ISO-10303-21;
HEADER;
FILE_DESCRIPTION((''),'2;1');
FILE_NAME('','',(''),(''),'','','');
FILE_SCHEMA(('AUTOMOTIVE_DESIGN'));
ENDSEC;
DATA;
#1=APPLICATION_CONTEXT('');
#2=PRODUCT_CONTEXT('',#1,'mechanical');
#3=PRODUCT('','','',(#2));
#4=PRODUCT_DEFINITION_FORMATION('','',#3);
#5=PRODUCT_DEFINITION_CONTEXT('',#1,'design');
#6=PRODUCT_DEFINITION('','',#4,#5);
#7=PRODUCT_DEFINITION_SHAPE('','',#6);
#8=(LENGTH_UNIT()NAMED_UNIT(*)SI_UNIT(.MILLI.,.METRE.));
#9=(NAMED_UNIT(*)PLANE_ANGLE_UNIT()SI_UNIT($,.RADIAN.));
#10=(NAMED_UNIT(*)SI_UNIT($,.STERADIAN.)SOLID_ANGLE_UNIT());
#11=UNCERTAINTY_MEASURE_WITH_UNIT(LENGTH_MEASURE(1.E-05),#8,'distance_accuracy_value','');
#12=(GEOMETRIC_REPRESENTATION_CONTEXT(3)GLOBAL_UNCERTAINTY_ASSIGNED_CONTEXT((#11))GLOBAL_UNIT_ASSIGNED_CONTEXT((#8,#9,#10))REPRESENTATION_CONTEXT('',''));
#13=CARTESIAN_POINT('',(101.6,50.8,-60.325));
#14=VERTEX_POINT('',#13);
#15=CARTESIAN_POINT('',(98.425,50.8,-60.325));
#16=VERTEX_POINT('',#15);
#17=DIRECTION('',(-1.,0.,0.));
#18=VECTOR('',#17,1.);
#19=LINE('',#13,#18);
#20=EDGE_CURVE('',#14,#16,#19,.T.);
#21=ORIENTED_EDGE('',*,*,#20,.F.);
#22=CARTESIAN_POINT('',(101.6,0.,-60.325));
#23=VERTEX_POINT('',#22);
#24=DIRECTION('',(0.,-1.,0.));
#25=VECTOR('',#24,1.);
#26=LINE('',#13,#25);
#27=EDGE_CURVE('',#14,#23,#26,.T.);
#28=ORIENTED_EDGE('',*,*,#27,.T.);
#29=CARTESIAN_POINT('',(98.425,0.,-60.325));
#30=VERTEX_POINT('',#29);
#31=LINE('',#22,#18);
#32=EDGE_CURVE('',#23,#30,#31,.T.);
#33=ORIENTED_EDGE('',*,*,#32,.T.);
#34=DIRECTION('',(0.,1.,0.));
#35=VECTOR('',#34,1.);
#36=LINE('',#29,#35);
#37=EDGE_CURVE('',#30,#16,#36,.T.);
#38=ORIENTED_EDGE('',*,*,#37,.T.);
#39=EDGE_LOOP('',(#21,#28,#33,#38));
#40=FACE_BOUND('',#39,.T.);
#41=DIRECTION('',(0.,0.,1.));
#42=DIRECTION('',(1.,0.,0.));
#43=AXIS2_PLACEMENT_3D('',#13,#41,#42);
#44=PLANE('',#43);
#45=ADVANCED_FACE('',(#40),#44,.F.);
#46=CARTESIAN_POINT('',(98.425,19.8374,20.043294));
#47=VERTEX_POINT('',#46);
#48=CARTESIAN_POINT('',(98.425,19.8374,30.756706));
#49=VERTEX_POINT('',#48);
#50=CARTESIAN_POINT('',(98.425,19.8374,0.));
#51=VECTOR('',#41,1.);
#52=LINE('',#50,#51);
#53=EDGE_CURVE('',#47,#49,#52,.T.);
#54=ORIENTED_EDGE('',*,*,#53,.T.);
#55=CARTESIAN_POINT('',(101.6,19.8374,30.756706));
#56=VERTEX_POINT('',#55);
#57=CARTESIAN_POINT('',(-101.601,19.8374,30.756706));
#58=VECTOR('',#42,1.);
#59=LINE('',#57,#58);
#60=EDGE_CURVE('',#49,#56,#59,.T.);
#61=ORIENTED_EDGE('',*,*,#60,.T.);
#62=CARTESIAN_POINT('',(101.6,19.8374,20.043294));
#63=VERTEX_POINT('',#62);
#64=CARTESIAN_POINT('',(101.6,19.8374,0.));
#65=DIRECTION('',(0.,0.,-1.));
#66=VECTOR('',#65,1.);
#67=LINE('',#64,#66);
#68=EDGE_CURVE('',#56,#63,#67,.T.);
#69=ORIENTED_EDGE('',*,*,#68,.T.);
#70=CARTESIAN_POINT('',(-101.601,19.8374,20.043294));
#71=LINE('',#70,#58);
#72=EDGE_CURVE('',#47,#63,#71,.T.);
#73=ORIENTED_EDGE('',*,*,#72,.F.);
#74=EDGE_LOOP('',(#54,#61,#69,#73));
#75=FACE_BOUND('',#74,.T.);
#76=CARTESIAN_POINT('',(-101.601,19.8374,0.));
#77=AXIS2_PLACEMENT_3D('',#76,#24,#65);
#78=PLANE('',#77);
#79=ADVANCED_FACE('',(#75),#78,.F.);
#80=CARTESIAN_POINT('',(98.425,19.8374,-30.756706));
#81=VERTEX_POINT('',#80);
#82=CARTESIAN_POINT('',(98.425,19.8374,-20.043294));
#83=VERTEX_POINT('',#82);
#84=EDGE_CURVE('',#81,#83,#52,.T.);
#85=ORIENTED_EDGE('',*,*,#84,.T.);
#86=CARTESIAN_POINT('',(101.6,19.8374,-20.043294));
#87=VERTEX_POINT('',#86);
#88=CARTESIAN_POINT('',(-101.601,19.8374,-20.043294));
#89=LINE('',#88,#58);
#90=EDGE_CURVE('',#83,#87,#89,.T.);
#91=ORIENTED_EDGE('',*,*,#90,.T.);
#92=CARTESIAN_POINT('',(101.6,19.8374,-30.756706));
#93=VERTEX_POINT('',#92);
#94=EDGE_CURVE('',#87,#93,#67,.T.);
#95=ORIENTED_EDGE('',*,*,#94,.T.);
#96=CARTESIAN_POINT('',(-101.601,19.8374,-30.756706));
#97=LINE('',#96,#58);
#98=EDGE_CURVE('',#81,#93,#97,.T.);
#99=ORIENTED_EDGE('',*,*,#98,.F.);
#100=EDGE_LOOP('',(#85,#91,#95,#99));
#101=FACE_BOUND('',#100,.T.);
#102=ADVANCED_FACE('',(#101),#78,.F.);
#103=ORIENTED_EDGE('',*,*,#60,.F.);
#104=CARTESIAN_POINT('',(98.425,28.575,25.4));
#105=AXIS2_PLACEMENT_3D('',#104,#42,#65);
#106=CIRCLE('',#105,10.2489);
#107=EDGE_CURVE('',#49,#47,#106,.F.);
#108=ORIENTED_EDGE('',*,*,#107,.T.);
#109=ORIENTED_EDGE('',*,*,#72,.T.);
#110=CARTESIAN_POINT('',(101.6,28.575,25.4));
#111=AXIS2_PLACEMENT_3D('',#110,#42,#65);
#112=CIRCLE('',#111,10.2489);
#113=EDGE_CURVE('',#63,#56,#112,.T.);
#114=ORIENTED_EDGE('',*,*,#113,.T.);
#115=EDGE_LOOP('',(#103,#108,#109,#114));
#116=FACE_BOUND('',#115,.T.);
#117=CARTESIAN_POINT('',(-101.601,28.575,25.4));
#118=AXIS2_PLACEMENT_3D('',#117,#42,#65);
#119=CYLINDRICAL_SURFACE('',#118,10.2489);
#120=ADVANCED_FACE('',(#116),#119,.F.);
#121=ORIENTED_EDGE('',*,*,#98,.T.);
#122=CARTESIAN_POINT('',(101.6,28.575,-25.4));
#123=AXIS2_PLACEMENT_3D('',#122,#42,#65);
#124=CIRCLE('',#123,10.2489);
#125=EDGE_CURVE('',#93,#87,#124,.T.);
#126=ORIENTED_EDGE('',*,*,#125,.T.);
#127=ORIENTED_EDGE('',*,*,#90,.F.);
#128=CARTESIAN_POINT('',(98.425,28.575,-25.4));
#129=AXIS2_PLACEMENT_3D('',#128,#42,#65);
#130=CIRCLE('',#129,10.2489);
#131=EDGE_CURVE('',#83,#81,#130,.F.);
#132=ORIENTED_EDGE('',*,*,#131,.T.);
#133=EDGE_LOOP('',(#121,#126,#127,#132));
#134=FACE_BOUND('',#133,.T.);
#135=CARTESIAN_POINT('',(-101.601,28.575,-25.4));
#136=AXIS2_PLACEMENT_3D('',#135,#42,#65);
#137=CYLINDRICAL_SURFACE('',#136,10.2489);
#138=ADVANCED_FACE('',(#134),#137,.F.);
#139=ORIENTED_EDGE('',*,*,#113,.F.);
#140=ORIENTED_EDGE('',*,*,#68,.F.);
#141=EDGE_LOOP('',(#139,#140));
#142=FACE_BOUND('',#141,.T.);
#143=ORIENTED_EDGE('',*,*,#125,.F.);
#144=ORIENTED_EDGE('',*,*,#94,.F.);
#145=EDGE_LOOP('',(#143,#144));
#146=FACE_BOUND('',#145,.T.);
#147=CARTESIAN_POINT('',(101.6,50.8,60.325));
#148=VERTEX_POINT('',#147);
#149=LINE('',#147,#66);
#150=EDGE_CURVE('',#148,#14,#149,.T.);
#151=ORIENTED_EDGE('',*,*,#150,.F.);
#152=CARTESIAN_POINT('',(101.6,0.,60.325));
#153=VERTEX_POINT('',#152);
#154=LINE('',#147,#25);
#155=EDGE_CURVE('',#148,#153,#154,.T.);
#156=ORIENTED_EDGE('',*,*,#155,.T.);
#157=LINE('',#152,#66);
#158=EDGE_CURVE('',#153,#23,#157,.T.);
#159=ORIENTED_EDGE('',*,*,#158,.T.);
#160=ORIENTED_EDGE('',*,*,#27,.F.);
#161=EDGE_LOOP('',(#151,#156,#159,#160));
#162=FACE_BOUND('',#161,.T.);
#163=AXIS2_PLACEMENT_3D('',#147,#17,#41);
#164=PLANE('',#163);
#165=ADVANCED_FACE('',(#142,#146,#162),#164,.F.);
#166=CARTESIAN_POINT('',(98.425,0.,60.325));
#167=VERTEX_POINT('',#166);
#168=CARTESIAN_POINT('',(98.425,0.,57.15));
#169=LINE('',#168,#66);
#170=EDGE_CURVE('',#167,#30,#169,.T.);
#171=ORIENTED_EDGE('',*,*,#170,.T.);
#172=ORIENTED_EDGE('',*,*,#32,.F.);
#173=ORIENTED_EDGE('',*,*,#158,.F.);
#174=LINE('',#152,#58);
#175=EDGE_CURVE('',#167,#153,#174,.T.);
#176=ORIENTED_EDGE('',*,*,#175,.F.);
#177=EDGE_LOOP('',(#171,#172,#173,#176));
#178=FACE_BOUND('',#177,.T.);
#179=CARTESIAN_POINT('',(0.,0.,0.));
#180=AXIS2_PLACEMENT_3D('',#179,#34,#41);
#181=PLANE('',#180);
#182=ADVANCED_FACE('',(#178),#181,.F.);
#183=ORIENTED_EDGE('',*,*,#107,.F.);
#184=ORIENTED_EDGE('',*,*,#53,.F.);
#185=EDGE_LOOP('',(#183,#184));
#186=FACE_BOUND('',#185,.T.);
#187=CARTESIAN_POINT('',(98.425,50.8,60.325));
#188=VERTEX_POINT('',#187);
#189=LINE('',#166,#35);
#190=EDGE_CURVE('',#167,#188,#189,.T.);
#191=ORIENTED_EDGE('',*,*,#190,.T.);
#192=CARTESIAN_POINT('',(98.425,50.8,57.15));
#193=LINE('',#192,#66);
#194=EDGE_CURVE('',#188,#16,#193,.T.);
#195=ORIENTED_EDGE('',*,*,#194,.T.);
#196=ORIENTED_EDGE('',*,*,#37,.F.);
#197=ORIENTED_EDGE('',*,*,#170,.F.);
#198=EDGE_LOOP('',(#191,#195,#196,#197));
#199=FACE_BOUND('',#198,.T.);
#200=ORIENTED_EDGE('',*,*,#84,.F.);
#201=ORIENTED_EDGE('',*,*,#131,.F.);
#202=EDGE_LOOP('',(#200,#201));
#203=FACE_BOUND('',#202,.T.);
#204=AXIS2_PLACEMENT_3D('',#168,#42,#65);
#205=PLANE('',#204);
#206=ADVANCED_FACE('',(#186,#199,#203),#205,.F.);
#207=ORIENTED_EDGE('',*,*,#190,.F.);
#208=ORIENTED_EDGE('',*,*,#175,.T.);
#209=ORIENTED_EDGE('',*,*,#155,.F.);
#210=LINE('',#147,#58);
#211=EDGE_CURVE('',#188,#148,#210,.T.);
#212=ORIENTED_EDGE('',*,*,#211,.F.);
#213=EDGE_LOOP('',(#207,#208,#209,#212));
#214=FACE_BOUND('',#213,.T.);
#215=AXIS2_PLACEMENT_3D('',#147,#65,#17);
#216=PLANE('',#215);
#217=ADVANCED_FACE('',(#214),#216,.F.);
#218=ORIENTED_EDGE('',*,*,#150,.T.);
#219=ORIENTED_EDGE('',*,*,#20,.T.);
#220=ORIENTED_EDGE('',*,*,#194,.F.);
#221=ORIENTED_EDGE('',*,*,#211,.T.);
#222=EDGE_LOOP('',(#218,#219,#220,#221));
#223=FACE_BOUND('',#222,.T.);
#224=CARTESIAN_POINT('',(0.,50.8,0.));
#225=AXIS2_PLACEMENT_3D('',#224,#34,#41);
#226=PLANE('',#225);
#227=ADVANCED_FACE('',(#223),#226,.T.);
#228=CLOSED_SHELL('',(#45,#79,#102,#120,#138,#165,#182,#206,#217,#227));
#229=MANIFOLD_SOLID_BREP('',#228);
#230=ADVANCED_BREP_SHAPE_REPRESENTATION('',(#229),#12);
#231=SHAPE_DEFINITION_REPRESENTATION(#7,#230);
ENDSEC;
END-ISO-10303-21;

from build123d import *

# Parameters (mm, degrees)
SKETCH1_W           = 203.2
SKETCH1_H           = 120.65
BOSS_EXTRUDE1_DEPTH = 50.8
SKETCH2_W           = 196.85
SKETCH2_H           = 114.3
CUT_EXTRUDE1_DEPTH  = 51.8
SKETCH4_W           = 203.2
SKETCH4_H           = 120.65
SKETCH4_W_2         = 196.85
SKETCH4_H_2         = 114.3
BOSS_EXTRUDE2_DEPTH = 6.35
CUT_EXTRUDE5_DEPTH  = 121.65
CUT_EXTRUDE6_REACH  = 205.2
CUT_EXTRUDE7_REACH  = 205.2
SKETCH13_R          = 12.55395
SKETCH14_W          = 200.025
SKETCH14_H          = 120.65
CUT_EXTRUDE8_DEPTH  = 51.8


with BuildPart() as part:
    # Sketch1 → Boss-Extrude1 (new body)
    with BuildSketch(Plane(origin=(0, 0, 0), x_dir=(1, 0, 0), z_dir=(0, 1, 0))):
        Rectangle(SKETCH1_W, SKETCH1_H)
    extrude(amount=BOSS_EXTRUDE1_DEPTH)

    # Sketch2 → Cut-Extrude1 (cut, through all)
    with BuildSketch(Plane(origin=(0, 50.8, 0), x_dir=(1, 0, 0), z_dir=(0, 1, 0))):
        Rectangle(SKETCH2_W, SKETCH2_H)
    extrude(amount=-CUT_EXTRUDE1_DEPTH, mode=Mode.SUBTRACT)

    # Sketch4 → Boss-Extrude2 (add)
    with BuildSketch(Plane(origin=(0, 50.8, 0), x_dir=(1, 0, 0), z_dir=(0, 1, 0))):
        Rectangle(SKETCH4_W, SKETCH4_H)
        Rectangle(SKETCH4_W_2, SKETCH4_H_2, mode=Mode.SUBTRACT)
    extrude(amount=-BOSS_EXTRUDE2_DEPTH)

    # Sketch10 → Cut-Extrude5 (cut, through all)
    with BuildSketch(Plane.XY.offset(60.325)):
        with BuildLine():
            ThreePointArc((-65.9511, 22.225), (-81.206975571, 31.167602912), (-81.556705839, 13.4874))
            Line((-81.556705839, 13.4874), (-70.843294161, 13.4874))
            ThreePointArc((-70.843294161, 13.4874), (-67.257397088, 17.218024429), (-65.9511, 22.225))
        make_face()
        with BuildLine():
            ThreePointArc((-15.1511, 22.225), (-30.406975571, 31.167602912), (-30.756705839, 13.4874))
            Line((-30.756705839, 13.4874), (-20.043294161, 13.4874))
            ThreePointArc((-20.043294161, 13.4874), (-16.457397088, 17.218024429), (-15.1511, 22.225))
        make_face()
        with BuildLine():
            ThreePointArc((35.6489, 22.225), (20.393024429, 31.167602912), (20.043294161, 13.4874))
            Line((20.043294161, 13.4874), (30.756705839, 13.4874))
            ThreePointArc((30.756705839, 13.4874), (34.342602912, 17.218024429), (35.6489, 22.225))
        make_face()
        with BuildLine():
            Line((70.843294161, 13.4874), (81.556705839, 13.4874))
            ThreePointArc((81.556705839, 13.4874), (85.142602912, 17.218024429), (86.4489, 22.225))
            ThreePointArc((86.4489, 22.225), (71.193024429, 31.167602912), (70.843294161, 13.4874))
        make_face()
    extrude(amount=-CUT_EXTRUDE5_DEPTH, mode=Mode.SUBTRACT)

    # Sketch12 → Cut-Extrude6 (cut, up to next)
    with BuildSketch(Plane(origin=(101.6, 0, 0), x_dir=(0, 0, -1), z_dir=(1, 0, 0)), mode=Mode.PRIVATE) as cut_extrude6_sk1:
        with BuildLine():
            ThreePointArc((-20.043294161, 19.8374), (-25.4, 38.8239), (-30.756705839, 19.8374))
            Line((-30.756705839, 19.8374), (-20.043294161, 19.8374))
        make_face()
    cut_extrude6_tool1 = extrude(cut_extrude6_sk1.sketch, amount=-CUT_EXTRUDE6_REACH, mode=Mode.PRIVATE) & part.part
    add(cut_extrude6_tool1.solids().sort_by_distance((101.6, 28.896198, 25.4))[0], mode=Mode.SUBTRACT)
    # Sketch12 → Cut-Extrude6 (cut, up to next)
    with BuildSketch(Plane(origin=(101.6, 0, 0), x_dir=(0, 0, -1), z_dir=(1, 0, 0)), mode=Mode.PRIVATE) as cut_extrude6_sk2:
        with BuildLine():
            ThreePointArc((30.756705839, 19.8374), (25.4, 38.8239), (20.043294161, 19.8374))
            Line((20.043294161, 19.8374), (30.756705839, 19.8374))
        make_face()
    cut_extrude6_tool2 = extrude(cut_extrude6_sk2.sketch, amount=-CUT_EXTRUDE6_REACH, mode=Mode.PRIVATE) & part.part
    add(cut_extrude6_tool2.solids().sort_by_distance((101.6, 28.896198, -25.4))[0], mode=Mode.SUBTRACT)

    # Sketch13 → Cut-Extrude7 (cut, up to next)
    with BuildSketch(Plane.ZY.offset(101.6), mode=Mode.PRIVATE) as cut_extrude7_sk1:
        with Locations((15.875, 28.575)):
            Circle(SKETCH13_R)
    cut_extrude7_tool1 = extrude(cut_extrude7_sk1.sketch, amount=-CUT_EXTRUDE7_REACH, mode=Mode.PRIVATE) & part.part
    add(cut_extrude7_tool1.solids().sort_by_distance((-101.6, 28.575, 15.875))[0], mode=Mode.SUBTRACT)

    # Sketch14 → Cut-Extrude8 (cut, through all)
    with BuildSketch(Plane(origin=(0, 50.8, 0), x_dir=(1, 0, 0), z_dir=(0, 1, 0))):
        with Locations((-1.5875, 0)):
            Rectangle(SKETCH14_W, SKETCH14_H)
    extrude(amount=-CUT_EXTRUDE8_DEPTH, mode=Mode.SUBTRACT)


solid = part.part
